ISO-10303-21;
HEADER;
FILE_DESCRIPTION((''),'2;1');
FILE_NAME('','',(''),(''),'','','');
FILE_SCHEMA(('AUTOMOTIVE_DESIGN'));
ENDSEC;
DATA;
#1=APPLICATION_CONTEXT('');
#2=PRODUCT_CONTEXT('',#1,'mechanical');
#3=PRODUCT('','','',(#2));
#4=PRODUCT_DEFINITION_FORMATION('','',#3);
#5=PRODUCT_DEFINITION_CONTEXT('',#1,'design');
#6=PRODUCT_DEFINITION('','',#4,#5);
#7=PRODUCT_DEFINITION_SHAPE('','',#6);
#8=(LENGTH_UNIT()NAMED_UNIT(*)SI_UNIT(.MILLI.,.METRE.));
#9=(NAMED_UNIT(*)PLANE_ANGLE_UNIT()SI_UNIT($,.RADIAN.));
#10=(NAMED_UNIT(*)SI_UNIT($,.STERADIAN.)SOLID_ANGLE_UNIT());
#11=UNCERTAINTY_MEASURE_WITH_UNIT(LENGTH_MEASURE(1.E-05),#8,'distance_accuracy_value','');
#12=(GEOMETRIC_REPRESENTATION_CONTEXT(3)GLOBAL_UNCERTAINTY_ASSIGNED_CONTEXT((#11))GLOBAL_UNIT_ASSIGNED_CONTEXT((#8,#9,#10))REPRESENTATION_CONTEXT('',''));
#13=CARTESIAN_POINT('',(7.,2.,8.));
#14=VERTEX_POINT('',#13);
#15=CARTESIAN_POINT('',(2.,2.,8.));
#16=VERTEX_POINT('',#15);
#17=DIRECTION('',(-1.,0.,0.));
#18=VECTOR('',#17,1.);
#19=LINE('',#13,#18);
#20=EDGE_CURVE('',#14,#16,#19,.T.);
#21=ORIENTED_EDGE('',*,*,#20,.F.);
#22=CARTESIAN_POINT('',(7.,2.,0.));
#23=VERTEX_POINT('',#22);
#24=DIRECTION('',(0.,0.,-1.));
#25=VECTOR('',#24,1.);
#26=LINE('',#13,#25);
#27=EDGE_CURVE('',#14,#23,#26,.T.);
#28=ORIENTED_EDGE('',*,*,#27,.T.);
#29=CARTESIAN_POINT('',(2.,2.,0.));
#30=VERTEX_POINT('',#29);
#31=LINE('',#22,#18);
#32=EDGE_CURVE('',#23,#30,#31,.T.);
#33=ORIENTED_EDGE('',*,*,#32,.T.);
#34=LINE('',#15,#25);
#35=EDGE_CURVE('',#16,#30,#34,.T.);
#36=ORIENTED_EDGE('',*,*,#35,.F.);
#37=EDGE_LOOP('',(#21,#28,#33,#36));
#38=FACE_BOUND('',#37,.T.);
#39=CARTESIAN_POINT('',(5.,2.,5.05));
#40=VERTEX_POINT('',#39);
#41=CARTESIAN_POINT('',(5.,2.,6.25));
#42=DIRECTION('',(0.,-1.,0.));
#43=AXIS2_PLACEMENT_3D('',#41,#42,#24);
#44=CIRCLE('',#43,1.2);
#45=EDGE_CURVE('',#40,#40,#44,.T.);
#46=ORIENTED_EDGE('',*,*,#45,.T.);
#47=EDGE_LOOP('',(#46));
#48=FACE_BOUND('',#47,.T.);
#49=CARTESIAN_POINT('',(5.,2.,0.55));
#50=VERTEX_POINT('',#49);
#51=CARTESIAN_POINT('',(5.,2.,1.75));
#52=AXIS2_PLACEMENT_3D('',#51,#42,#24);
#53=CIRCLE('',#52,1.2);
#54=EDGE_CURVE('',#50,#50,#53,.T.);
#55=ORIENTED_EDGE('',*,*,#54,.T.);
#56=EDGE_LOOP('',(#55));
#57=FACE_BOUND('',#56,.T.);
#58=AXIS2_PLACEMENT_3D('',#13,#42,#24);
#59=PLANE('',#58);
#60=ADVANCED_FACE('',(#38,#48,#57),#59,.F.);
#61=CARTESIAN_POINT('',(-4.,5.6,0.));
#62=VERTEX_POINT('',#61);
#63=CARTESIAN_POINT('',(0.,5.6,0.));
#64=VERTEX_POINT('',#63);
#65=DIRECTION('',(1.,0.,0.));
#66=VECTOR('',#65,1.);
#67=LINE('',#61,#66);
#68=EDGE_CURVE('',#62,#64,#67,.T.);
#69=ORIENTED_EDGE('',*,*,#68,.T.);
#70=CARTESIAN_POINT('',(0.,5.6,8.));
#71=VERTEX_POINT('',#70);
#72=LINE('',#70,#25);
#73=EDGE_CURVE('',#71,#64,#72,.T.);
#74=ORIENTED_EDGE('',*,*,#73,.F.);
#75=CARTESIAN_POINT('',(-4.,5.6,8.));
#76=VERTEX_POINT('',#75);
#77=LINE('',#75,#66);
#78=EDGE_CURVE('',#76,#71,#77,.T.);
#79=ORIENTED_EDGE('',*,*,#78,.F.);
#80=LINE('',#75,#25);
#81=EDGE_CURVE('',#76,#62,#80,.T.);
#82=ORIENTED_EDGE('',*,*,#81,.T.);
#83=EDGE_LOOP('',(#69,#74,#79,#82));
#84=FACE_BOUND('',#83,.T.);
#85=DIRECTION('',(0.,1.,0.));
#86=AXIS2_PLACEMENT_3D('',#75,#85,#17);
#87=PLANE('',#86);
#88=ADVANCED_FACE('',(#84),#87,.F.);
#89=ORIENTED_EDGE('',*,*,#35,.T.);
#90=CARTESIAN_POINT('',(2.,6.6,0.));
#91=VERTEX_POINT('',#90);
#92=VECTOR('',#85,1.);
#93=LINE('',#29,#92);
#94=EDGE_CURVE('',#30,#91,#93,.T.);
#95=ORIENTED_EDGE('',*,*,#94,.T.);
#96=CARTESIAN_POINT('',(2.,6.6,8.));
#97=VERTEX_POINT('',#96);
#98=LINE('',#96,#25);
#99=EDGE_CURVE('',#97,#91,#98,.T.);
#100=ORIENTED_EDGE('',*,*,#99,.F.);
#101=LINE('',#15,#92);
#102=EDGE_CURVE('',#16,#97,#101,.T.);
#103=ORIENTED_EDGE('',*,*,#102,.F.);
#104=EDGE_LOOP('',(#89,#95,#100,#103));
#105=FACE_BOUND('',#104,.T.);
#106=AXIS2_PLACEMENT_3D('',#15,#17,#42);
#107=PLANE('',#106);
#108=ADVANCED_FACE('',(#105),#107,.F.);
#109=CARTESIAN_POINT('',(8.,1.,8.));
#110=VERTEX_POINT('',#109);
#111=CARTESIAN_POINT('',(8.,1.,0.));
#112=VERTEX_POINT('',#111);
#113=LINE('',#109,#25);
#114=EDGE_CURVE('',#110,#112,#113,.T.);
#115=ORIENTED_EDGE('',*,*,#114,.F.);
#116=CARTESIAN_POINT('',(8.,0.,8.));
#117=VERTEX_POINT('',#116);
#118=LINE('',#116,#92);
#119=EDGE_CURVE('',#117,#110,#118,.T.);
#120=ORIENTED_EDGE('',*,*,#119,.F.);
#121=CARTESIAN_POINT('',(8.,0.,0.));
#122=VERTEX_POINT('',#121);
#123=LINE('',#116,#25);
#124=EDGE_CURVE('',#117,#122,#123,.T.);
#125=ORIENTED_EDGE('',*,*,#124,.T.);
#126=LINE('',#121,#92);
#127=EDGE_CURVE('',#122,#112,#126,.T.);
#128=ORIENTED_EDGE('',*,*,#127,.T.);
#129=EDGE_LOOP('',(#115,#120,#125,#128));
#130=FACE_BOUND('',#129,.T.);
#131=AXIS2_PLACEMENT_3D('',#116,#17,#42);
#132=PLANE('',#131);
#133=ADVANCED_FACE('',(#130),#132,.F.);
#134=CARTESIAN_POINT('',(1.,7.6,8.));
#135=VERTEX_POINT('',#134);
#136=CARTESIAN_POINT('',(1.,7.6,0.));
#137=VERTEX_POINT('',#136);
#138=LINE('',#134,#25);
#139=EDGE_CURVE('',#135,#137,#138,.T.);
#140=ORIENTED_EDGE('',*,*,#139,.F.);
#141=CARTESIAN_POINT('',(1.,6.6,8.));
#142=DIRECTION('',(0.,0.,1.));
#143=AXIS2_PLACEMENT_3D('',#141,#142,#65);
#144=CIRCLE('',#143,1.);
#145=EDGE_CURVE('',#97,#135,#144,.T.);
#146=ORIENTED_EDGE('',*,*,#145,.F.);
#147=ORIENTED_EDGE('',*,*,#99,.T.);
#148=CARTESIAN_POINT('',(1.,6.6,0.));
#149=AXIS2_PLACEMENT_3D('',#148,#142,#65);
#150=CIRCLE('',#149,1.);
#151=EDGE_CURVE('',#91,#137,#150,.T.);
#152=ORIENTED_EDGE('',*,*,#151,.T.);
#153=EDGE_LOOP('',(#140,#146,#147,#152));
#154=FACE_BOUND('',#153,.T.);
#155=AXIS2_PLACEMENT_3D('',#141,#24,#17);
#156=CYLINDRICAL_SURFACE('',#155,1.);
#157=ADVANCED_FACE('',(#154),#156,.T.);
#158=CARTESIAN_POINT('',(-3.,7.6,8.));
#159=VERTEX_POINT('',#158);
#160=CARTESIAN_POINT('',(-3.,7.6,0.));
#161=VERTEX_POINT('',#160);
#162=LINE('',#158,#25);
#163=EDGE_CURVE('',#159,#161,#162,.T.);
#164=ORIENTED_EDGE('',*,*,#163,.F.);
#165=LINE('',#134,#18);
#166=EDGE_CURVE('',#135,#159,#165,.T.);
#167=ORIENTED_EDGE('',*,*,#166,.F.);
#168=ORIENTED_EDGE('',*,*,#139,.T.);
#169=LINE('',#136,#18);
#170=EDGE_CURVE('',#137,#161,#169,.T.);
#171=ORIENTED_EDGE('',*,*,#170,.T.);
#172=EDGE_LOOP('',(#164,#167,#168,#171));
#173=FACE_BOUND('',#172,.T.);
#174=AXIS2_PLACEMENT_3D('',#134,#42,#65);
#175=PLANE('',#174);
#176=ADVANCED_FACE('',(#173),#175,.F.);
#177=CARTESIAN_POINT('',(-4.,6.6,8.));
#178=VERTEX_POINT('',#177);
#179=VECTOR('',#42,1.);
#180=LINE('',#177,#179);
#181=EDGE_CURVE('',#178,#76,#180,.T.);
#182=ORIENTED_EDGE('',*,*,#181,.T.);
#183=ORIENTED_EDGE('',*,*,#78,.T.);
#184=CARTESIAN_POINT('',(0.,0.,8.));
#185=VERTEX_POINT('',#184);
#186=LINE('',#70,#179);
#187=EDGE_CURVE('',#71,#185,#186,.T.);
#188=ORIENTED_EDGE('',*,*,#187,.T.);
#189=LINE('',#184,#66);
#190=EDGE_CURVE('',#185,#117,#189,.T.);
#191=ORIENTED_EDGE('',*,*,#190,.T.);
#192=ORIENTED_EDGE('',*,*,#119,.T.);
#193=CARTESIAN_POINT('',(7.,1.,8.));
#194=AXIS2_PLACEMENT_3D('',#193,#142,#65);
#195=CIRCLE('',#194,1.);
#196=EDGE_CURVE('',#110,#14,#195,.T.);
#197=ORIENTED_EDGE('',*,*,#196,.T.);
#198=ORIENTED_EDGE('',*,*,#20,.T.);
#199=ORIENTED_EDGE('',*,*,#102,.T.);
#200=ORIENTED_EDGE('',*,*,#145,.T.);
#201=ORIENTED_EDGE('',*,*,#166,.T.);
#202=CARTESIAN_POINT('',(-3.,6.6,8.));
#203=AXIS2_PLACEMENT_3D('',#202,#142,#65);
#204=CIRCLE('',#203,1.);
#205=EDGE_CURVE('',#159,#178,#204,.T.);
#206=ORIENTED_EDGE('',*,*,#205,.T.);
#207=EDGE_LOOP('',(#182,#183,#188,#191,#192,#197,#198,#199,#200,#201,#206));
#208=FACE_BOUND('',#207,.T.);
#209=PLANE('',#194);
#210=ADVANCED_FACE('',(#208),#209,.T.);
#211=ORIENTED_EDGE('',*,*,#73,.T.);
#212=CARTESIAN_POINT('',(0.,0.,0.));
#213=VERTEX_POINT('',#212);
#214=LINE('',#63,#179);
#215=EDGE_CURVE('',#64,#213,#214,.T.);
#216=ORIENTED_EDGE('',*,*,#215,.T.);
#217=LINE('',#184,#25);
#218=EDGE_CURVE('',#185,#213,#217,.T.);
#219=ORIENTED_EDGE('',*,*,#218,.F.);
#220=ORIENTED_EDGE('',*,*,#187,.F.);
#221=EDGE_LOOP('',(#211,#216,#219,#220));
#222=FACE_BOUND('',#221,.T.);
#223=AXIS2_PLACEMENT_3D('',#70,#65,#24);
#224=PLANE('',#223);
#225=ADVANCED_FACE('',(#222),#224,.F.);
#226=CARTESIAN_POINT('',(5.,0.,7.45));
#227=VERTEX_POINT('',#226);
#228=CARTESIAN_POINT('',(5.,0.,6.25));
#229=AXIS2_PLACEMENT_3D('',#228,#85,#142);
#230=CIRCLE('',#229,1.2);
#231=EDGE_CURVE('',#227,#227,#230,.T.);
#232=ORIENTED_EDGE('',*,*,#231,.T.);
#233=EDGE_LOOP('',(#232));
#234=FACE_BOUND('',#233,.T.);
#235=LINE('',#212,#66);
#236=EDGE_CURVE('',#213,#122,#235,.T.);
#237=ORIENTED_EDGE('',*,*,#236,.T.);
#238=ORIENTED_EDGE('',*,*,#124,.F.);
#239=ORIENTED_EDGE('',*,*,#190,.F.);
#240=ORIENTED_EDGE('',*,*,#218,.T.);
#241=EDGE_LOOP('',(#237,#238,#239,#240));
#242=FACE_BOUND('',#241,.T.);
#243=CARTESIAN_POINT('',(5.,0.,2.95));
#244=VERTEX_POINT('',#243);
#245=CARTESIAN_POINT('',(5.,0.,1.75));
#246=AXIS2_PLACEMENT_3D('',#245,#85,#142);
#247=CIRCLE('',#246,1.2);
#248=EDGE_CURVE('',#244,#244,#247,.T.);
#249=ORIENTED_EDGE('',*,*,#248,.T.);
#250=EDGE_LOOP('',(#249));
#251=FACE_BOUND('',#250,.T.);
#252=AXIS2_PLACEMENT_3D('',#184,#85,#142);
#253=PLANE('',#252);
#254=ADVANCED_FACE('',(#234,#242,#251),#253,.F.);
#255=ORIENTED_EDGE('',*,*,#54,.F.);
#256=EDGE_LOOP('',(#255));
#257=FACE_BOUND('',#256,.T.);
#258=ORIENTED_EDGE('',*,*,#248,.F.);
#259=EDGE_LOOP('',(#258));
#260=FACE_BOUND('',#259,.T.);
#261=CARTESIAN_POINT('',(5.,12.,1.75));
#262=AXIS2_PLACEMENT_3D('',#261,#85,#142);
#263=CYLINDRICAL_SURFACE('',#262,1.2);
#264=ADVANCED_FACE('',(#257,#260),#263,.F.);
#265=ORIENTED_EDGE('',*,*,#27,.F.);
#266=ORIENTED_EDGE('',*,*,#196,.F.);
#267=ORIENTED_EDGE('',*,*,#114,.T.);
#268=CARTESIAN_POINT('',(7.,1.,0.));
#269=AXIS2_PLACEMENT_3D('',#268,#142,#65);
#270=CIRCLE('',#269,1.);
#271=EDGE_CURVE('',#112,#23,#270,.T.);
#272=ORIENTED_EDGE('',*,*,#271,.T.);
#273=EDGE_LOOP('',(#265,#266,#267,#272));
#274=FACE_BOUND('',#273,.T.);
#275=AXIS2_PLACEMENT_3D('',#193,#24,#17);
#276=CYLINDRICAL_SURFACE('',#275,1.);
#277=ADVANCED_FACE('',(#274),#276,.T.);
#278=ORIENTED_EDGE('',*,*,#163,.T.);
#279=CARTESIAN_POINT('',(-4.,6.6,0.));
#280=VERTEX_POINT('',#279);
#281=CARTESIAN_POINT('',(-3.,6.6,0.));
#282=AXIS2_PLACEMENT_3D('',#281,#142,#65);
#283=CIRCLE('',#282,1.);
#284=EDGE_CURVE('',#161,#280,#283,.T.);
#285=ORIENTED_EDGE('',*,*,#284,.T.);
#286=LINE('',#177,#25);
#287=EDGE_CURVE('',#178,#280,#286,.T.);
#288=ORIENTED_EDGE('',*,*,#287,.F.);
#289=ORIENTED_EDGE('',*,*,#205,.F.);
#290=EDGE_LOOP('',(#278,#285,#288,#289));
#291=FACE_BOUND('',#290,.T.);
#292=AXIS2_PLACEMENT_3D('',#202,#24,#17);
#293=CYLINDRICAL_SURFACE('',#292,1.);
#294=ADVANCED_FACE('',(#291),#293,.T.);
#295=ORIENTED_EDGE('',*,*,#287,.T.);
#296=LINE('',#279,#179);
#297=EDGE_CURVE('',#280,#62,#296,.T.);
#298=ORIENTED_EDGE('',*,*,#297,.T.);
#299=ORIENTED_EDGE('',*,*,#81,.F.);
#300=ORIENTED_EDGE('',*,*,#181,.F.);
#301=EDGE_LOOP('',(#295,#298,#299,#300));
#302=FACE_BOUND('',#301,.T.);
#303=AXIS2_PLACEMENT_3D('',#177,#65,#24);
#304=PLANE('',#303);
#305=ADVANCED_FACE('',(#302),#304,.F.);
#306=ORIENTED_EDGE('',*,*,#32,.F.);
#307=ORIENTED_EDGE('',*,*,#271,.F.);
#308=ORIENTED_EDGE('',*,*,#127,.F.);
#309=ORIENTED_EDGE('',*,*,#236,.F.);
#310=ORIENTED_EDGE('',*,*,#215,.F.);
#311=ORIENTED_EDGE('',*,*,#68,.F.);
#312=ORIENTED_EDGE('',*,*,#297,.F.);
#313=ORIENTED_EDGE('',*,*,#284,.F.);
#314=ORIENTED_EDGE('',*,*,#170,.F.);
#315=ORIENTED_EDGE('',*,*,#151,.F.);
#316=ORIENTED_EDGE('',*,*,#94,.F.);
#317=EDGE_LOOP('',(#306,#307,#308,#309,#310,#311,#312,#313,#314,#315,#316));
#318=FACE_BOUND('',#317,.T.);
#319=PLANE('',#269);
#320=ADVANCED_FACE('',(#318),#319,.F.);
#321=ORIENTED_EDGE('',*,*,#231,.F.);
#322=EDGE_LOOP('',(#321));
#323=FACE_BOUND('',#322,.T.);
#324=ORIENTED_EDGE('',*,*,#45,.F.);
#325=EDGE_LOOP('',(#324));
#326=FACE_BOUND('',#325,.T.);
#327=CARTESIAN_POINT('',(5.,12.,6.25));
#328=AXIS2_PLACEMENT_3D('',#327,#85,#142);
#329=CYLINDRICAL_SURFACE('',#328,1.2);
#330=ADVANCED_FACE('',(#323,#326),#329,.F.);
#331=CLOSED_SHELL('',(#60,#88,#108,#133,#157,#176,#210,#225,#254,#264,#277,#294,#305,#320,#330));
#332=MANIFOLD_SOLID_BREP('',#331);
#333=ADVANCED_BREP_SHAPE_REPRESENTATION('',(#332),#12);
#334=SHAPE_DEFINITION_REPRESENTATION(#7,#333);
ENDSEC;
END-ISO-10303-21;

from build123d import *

# Parameters (mm, degrees)
BOSS_EXTRUDE1_DEPTH  = 8
M2_CLEARANCE_HOLE2_D = 2.4
M2_CLEARANCE_HOLE1_D = 2.4


with BuildPart() as part:
    # Sketch1 → Boss-Extrude1 (new body)
    with BuildSketch(Plane.XY):
        with BuildLine():
            Line((0, 0), (8, 0))
            Line((8, 0), (8, 1))
            ThreePointArc((8, 1), (7.707106781, 1.707106781), (7, 2))
            Line((7, 2), (2, 2))
            Line((2, 2), (2, 6.6))
            ThreePointArc((2, 6.6), (1.707106781, 7.307106781), (1, 7.6))
            Line((1, 7.6), (-3, 7.6))
            ThreePointArc((-3, 7.6), (-3.707106781, 7.307106781), (-4, 6.6))
            Line((-4, 6.6), (-4, 5.6))
            Line((-4, 5.6), (0, 5.6))
            Line((0, 5.6), (0, 0))
        make_face()
    extrude(amount=BOSS_EXTRUDE1_DEPTH)

    # M2 Clearance Hole2 (through all)
    with Locations(Plane(origin=(0, 12, 0), x_dir=(1, 0, 0), z_dir=(0, 1, 0))):
        with Locations((5, -1.75)):
            Hole(M2_CLEARANCE_HOLE2_D / 2)

    # M2 Clearance Hole1 (through all)
    with Locations(Plane(origin=(0, 12, 0), x_dir=(1, 0, 0), z_dir=(0, 1, 0))):
        with Locations((5, -6.25)):
            Hole(M2_CLEARANCE_HOLE1_D / 2)


solid = part.part
